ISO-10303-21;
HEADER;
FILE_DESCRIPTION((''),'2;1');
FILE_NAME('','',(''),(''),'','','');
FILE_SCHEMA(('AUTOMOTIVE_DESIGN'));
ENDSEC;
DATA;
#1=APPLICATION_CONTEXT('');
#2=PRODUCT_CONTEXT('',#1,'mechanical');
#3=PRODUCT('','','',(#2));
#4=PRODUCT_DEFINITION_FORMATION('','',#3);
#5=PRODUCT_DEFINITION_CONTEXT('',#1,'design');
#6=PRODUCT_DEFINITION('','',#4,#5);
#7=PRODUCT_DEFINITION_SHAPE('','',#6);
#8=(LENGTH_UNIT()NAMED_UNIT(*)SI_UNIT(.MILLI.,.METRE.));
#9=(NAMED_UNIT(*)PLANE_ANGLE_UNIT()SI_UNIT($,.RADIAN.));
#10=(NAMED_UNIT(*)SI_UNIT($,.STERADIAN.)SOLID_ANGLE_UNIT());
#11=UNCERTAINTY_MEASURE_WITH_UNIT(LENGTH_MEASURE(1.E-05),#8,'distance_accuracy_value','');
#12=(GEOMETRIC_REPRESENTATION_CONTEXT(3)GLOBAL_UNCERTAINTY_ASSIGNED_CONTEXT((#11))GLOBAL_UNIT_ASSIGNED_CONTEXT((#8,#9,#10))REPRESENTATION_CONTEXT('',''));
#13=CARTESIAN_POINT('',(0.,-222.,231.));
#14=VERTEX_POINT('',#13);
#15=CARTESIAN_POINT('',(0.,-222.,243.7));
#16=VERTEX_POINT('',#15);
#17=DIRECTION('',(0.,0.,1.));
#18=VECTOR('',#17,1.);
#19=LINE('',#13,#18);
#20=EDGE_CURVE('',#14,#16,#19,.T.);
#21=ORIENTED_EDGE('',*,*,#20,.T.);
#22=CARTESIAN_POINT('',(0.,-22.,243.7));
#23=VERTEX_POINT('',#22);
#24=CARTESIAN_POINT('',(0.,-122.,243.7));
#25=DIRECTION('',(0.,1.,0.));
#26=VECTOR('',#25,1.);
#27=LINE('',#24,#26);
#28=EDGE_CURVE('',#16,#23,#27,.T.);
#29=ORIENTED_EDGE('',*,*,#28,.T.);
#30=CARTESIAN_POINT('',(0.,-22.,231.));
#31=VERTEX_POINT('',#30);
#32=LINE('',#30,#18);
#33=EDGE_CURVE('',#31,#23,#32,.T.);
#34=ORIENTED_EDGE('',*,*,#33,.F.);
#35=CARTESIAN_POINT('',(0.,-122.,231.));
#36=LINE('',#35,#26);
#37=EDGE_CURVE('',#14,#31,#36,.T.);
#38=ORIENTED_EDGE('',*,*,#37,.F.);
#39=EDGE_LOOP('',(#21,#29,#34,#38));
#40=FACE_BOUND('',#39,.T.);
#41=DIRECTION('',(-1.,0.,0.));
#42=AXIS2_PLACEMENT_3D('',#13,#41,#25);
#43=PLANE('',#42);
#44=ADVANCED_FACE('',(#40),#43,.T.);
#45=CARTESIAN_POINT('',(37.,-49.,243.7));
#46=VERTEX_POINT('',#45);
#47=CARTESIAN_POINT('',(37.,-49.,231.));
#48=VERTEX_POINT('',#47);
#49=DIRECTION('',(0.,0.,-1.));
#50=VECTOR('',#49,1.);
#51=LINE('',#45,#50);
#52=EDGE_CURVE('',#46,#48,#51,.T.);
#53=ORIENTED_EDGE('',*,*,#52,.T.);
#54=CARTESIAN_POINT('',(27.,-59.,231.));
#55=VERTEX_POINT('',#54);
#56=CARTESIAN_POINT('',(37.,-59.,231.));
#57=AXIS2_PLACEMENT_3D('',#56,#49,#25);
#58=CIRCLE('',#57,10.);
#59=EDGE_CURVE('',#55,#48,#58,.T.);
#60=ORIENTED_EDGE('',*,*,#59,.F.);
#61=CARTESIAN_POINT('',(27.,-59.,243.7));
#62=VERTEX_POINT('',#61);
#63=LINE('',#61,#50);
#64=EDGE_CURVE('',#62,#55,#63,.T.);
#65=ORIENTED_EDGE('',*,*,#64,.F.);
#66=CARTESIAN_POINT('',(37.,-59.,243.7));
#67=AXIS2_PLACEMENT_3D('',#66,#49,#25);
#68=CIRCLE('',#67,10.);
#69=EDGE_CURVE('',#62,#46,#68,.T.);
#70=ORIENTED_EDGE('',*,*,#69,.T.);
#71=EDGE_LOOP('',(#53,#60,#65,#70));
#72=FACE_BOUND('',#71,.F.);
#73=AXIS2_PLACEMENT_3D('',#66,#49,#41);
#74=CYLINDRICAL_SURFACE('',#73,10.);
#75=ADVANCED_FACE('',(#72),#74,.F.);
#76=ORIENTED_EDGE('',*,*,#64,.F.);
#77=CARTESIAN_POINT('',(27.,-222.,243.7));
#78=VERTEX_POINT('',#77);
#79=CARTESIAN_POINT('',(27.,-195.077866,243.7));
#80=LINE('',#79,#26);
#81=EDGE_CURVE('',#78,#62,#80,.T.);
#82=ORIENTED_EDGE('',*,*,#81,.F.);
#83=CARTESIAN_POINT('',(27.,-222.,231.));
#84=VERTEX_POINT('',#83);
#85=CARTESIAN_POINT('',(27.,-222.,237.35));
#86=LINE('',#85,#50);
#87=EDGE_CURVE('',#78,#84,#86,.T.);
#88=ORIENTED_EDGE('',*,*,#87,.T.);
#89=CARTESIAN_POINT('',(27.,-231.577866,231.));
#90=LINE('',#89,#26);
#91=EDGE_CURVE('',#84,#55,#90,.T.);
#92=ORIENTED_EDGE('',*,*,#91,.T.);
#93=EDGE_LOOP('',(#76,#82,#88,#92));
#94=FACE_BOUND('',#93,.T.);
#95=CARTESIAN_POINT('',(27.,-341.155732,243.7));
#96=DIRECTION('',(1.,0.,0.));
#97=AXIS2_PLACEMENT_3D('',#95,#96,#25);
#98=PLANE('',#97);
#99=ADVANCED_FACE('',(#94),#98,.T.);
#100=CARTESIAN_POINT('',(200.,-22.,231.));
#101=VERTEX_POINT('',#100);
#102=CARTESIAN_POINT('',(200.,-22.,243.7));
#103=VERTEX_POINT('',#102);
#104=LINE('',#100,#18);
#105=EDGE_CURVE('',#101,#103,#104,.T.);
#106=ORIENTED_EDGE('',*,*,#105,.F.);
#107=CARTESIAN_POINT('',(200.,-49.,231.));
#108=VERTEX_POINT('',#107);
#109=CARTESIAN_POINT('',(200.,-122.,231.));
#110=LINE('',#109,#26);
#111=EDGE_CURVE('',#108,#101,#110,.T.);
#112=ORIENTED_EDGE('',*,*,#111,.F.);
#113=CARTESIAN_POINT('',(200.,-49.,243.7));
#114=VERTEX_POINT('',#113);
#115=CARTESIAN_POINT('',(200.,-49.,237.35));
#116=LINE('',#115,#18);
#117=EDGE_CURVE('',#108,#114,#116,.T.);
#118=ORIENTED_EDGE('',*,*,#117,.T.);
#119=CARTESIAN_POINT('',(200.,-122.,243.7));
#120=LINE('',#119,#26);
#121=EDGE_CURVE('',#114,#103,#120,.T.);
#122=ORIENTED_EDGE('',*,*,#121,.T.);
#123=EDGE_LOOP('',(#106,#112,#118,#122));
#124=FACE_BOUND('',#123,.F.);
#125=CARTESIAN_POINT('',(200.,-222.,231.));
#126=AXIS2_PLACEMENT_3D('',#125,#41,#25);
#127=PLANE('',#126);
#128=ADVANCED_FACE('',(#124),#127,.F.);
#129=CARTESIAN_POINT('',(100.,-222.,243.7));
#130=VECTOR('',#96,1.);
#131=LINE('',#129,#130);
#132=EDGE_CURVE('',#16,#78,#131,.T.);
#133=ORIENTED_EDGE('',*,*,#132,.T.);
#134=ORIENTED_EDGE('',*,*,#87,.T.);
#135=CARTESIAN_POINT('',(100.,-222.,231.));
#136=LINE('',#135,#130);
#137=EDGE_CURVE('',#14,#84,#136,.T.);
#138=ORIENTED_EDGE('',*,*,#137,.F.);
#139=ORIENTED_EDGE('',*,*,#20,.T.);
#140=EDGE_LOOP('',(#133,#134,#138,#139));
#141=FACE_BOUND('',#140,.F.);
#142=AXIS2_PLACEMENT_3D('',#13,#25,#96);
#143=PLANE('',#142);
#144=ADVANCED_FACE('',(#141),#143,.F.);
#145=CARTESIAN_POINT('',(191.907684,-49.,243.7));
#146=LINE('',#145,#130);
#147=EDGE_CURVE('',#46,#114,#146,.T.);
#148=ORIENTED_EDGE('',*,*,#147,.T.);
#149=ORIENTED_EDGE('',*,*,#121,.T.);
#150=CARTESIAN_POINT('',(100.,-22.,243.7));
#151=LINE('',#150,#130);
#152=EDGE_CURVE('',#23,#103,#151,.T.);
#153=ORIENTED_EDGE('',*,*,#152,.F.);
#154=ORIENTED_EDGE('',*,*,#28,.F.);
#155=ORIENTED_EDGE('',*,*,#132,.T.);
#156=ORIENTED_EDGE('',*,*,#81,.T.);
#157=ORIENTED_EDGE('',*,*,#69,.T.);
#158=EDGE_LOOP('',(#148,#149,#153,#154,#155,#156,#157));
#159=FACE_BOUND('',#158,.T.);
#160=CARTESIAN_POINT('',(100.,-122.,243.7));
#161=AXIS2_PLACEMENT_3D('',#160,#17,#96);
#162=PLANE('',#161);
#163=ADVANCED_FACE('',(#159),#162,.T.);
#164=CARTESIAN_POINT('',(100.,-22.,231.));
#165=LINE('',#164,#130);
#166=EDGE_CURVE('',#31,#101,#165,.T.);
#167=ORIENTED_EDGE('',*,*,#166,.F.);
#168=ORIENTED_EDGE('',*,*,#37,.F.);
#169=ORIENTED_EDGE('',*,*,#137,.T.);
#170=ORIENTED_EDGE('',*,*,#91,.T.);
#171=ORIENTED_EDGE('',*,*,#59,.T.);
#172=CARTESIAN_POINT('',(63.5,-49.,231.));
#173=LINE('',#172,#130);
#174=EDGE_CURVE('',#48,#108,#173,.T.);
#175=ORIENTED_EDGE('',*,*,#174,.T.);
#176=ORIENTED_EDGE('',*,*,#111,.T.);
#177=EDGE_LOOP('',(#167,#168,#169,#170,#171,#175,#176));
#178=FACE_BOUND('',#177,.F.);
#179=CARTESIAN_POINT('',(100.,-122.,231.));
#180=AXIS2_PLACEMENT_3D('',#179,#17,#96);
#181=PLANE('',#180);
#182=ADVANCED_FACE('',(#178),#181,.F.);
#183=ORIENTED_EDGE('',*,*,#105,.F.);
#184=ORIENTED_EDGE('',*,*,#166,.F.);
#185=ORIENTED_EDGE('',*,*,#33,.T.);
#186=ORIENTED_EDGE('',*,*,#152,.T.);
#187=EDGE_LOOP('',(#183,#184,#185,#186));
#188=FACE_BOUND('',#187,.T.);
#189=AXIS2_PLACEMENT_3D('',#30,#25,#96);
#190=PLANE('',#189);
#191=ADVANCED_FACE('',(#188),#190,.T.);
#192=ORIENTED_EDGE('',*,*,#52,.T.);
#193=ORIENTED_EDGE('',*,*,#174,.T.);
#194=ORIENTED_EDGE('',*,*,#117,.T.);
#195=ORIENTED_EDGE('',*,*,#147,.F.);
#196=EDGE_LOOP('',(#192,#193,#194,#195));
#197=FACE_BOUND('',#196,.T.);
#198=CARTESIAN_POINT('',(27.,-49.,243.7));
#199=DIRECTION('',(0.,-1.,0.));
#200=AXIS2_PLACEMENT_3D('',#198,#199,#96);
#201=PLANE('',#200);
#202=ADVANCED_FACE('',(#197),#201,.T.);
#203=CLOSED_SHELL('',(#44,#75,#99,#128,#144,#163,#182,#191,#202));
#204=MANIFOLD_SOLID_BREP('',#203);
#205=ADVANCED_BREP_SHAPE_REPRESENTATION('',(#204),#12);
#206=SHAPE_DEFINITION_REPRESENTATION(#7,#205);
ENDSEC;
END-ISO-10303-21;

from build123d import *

# Parameters (mm, degrees)
SKETCH014_W     = 200
SKETCH014_H     = 200
PAD007_DEPTH    = 12.7
SKETCH015_W     = 329.815369
SKETCH015_H     = 292.155731
POCKET002_DEPTH = 13
FILLET_R        = 10


with BuildPart() as part:
    # Sketch014 → Pad007 (new body)
    with BuildSketch(Plane.XY):
        with Locations((100, -100)):
            Rectangle(SKETCH014_W, SKETCH014_H)
    extrude(amount=PAD007_DEPTH)

    # Sketch015 (on Face6 of Pad007) → Pocket002 (cut)
    with BuildSketch(Plane.XY.offset(12.7)):
        with Locations((191.907684, -173.077866)):
            Rectangle(SKETCH015_W, SKETCH015_H)
    extrude(amount=-POCKET002_DEPTH, mode=Mode.SUBTRACT)

    # Fillet
    fillet_edges = [part.edges().sort_by_distance(p)[0] for p in [
        (27, -27, 6.35),
    ]]
    fillet(fillet_edges, radius=FILLET_R)


with BuildPart() as part_1:
    # Body008 placement: moved
    add(part.part.moved(Location((0, -22, 231))))


solid = part_1.part
